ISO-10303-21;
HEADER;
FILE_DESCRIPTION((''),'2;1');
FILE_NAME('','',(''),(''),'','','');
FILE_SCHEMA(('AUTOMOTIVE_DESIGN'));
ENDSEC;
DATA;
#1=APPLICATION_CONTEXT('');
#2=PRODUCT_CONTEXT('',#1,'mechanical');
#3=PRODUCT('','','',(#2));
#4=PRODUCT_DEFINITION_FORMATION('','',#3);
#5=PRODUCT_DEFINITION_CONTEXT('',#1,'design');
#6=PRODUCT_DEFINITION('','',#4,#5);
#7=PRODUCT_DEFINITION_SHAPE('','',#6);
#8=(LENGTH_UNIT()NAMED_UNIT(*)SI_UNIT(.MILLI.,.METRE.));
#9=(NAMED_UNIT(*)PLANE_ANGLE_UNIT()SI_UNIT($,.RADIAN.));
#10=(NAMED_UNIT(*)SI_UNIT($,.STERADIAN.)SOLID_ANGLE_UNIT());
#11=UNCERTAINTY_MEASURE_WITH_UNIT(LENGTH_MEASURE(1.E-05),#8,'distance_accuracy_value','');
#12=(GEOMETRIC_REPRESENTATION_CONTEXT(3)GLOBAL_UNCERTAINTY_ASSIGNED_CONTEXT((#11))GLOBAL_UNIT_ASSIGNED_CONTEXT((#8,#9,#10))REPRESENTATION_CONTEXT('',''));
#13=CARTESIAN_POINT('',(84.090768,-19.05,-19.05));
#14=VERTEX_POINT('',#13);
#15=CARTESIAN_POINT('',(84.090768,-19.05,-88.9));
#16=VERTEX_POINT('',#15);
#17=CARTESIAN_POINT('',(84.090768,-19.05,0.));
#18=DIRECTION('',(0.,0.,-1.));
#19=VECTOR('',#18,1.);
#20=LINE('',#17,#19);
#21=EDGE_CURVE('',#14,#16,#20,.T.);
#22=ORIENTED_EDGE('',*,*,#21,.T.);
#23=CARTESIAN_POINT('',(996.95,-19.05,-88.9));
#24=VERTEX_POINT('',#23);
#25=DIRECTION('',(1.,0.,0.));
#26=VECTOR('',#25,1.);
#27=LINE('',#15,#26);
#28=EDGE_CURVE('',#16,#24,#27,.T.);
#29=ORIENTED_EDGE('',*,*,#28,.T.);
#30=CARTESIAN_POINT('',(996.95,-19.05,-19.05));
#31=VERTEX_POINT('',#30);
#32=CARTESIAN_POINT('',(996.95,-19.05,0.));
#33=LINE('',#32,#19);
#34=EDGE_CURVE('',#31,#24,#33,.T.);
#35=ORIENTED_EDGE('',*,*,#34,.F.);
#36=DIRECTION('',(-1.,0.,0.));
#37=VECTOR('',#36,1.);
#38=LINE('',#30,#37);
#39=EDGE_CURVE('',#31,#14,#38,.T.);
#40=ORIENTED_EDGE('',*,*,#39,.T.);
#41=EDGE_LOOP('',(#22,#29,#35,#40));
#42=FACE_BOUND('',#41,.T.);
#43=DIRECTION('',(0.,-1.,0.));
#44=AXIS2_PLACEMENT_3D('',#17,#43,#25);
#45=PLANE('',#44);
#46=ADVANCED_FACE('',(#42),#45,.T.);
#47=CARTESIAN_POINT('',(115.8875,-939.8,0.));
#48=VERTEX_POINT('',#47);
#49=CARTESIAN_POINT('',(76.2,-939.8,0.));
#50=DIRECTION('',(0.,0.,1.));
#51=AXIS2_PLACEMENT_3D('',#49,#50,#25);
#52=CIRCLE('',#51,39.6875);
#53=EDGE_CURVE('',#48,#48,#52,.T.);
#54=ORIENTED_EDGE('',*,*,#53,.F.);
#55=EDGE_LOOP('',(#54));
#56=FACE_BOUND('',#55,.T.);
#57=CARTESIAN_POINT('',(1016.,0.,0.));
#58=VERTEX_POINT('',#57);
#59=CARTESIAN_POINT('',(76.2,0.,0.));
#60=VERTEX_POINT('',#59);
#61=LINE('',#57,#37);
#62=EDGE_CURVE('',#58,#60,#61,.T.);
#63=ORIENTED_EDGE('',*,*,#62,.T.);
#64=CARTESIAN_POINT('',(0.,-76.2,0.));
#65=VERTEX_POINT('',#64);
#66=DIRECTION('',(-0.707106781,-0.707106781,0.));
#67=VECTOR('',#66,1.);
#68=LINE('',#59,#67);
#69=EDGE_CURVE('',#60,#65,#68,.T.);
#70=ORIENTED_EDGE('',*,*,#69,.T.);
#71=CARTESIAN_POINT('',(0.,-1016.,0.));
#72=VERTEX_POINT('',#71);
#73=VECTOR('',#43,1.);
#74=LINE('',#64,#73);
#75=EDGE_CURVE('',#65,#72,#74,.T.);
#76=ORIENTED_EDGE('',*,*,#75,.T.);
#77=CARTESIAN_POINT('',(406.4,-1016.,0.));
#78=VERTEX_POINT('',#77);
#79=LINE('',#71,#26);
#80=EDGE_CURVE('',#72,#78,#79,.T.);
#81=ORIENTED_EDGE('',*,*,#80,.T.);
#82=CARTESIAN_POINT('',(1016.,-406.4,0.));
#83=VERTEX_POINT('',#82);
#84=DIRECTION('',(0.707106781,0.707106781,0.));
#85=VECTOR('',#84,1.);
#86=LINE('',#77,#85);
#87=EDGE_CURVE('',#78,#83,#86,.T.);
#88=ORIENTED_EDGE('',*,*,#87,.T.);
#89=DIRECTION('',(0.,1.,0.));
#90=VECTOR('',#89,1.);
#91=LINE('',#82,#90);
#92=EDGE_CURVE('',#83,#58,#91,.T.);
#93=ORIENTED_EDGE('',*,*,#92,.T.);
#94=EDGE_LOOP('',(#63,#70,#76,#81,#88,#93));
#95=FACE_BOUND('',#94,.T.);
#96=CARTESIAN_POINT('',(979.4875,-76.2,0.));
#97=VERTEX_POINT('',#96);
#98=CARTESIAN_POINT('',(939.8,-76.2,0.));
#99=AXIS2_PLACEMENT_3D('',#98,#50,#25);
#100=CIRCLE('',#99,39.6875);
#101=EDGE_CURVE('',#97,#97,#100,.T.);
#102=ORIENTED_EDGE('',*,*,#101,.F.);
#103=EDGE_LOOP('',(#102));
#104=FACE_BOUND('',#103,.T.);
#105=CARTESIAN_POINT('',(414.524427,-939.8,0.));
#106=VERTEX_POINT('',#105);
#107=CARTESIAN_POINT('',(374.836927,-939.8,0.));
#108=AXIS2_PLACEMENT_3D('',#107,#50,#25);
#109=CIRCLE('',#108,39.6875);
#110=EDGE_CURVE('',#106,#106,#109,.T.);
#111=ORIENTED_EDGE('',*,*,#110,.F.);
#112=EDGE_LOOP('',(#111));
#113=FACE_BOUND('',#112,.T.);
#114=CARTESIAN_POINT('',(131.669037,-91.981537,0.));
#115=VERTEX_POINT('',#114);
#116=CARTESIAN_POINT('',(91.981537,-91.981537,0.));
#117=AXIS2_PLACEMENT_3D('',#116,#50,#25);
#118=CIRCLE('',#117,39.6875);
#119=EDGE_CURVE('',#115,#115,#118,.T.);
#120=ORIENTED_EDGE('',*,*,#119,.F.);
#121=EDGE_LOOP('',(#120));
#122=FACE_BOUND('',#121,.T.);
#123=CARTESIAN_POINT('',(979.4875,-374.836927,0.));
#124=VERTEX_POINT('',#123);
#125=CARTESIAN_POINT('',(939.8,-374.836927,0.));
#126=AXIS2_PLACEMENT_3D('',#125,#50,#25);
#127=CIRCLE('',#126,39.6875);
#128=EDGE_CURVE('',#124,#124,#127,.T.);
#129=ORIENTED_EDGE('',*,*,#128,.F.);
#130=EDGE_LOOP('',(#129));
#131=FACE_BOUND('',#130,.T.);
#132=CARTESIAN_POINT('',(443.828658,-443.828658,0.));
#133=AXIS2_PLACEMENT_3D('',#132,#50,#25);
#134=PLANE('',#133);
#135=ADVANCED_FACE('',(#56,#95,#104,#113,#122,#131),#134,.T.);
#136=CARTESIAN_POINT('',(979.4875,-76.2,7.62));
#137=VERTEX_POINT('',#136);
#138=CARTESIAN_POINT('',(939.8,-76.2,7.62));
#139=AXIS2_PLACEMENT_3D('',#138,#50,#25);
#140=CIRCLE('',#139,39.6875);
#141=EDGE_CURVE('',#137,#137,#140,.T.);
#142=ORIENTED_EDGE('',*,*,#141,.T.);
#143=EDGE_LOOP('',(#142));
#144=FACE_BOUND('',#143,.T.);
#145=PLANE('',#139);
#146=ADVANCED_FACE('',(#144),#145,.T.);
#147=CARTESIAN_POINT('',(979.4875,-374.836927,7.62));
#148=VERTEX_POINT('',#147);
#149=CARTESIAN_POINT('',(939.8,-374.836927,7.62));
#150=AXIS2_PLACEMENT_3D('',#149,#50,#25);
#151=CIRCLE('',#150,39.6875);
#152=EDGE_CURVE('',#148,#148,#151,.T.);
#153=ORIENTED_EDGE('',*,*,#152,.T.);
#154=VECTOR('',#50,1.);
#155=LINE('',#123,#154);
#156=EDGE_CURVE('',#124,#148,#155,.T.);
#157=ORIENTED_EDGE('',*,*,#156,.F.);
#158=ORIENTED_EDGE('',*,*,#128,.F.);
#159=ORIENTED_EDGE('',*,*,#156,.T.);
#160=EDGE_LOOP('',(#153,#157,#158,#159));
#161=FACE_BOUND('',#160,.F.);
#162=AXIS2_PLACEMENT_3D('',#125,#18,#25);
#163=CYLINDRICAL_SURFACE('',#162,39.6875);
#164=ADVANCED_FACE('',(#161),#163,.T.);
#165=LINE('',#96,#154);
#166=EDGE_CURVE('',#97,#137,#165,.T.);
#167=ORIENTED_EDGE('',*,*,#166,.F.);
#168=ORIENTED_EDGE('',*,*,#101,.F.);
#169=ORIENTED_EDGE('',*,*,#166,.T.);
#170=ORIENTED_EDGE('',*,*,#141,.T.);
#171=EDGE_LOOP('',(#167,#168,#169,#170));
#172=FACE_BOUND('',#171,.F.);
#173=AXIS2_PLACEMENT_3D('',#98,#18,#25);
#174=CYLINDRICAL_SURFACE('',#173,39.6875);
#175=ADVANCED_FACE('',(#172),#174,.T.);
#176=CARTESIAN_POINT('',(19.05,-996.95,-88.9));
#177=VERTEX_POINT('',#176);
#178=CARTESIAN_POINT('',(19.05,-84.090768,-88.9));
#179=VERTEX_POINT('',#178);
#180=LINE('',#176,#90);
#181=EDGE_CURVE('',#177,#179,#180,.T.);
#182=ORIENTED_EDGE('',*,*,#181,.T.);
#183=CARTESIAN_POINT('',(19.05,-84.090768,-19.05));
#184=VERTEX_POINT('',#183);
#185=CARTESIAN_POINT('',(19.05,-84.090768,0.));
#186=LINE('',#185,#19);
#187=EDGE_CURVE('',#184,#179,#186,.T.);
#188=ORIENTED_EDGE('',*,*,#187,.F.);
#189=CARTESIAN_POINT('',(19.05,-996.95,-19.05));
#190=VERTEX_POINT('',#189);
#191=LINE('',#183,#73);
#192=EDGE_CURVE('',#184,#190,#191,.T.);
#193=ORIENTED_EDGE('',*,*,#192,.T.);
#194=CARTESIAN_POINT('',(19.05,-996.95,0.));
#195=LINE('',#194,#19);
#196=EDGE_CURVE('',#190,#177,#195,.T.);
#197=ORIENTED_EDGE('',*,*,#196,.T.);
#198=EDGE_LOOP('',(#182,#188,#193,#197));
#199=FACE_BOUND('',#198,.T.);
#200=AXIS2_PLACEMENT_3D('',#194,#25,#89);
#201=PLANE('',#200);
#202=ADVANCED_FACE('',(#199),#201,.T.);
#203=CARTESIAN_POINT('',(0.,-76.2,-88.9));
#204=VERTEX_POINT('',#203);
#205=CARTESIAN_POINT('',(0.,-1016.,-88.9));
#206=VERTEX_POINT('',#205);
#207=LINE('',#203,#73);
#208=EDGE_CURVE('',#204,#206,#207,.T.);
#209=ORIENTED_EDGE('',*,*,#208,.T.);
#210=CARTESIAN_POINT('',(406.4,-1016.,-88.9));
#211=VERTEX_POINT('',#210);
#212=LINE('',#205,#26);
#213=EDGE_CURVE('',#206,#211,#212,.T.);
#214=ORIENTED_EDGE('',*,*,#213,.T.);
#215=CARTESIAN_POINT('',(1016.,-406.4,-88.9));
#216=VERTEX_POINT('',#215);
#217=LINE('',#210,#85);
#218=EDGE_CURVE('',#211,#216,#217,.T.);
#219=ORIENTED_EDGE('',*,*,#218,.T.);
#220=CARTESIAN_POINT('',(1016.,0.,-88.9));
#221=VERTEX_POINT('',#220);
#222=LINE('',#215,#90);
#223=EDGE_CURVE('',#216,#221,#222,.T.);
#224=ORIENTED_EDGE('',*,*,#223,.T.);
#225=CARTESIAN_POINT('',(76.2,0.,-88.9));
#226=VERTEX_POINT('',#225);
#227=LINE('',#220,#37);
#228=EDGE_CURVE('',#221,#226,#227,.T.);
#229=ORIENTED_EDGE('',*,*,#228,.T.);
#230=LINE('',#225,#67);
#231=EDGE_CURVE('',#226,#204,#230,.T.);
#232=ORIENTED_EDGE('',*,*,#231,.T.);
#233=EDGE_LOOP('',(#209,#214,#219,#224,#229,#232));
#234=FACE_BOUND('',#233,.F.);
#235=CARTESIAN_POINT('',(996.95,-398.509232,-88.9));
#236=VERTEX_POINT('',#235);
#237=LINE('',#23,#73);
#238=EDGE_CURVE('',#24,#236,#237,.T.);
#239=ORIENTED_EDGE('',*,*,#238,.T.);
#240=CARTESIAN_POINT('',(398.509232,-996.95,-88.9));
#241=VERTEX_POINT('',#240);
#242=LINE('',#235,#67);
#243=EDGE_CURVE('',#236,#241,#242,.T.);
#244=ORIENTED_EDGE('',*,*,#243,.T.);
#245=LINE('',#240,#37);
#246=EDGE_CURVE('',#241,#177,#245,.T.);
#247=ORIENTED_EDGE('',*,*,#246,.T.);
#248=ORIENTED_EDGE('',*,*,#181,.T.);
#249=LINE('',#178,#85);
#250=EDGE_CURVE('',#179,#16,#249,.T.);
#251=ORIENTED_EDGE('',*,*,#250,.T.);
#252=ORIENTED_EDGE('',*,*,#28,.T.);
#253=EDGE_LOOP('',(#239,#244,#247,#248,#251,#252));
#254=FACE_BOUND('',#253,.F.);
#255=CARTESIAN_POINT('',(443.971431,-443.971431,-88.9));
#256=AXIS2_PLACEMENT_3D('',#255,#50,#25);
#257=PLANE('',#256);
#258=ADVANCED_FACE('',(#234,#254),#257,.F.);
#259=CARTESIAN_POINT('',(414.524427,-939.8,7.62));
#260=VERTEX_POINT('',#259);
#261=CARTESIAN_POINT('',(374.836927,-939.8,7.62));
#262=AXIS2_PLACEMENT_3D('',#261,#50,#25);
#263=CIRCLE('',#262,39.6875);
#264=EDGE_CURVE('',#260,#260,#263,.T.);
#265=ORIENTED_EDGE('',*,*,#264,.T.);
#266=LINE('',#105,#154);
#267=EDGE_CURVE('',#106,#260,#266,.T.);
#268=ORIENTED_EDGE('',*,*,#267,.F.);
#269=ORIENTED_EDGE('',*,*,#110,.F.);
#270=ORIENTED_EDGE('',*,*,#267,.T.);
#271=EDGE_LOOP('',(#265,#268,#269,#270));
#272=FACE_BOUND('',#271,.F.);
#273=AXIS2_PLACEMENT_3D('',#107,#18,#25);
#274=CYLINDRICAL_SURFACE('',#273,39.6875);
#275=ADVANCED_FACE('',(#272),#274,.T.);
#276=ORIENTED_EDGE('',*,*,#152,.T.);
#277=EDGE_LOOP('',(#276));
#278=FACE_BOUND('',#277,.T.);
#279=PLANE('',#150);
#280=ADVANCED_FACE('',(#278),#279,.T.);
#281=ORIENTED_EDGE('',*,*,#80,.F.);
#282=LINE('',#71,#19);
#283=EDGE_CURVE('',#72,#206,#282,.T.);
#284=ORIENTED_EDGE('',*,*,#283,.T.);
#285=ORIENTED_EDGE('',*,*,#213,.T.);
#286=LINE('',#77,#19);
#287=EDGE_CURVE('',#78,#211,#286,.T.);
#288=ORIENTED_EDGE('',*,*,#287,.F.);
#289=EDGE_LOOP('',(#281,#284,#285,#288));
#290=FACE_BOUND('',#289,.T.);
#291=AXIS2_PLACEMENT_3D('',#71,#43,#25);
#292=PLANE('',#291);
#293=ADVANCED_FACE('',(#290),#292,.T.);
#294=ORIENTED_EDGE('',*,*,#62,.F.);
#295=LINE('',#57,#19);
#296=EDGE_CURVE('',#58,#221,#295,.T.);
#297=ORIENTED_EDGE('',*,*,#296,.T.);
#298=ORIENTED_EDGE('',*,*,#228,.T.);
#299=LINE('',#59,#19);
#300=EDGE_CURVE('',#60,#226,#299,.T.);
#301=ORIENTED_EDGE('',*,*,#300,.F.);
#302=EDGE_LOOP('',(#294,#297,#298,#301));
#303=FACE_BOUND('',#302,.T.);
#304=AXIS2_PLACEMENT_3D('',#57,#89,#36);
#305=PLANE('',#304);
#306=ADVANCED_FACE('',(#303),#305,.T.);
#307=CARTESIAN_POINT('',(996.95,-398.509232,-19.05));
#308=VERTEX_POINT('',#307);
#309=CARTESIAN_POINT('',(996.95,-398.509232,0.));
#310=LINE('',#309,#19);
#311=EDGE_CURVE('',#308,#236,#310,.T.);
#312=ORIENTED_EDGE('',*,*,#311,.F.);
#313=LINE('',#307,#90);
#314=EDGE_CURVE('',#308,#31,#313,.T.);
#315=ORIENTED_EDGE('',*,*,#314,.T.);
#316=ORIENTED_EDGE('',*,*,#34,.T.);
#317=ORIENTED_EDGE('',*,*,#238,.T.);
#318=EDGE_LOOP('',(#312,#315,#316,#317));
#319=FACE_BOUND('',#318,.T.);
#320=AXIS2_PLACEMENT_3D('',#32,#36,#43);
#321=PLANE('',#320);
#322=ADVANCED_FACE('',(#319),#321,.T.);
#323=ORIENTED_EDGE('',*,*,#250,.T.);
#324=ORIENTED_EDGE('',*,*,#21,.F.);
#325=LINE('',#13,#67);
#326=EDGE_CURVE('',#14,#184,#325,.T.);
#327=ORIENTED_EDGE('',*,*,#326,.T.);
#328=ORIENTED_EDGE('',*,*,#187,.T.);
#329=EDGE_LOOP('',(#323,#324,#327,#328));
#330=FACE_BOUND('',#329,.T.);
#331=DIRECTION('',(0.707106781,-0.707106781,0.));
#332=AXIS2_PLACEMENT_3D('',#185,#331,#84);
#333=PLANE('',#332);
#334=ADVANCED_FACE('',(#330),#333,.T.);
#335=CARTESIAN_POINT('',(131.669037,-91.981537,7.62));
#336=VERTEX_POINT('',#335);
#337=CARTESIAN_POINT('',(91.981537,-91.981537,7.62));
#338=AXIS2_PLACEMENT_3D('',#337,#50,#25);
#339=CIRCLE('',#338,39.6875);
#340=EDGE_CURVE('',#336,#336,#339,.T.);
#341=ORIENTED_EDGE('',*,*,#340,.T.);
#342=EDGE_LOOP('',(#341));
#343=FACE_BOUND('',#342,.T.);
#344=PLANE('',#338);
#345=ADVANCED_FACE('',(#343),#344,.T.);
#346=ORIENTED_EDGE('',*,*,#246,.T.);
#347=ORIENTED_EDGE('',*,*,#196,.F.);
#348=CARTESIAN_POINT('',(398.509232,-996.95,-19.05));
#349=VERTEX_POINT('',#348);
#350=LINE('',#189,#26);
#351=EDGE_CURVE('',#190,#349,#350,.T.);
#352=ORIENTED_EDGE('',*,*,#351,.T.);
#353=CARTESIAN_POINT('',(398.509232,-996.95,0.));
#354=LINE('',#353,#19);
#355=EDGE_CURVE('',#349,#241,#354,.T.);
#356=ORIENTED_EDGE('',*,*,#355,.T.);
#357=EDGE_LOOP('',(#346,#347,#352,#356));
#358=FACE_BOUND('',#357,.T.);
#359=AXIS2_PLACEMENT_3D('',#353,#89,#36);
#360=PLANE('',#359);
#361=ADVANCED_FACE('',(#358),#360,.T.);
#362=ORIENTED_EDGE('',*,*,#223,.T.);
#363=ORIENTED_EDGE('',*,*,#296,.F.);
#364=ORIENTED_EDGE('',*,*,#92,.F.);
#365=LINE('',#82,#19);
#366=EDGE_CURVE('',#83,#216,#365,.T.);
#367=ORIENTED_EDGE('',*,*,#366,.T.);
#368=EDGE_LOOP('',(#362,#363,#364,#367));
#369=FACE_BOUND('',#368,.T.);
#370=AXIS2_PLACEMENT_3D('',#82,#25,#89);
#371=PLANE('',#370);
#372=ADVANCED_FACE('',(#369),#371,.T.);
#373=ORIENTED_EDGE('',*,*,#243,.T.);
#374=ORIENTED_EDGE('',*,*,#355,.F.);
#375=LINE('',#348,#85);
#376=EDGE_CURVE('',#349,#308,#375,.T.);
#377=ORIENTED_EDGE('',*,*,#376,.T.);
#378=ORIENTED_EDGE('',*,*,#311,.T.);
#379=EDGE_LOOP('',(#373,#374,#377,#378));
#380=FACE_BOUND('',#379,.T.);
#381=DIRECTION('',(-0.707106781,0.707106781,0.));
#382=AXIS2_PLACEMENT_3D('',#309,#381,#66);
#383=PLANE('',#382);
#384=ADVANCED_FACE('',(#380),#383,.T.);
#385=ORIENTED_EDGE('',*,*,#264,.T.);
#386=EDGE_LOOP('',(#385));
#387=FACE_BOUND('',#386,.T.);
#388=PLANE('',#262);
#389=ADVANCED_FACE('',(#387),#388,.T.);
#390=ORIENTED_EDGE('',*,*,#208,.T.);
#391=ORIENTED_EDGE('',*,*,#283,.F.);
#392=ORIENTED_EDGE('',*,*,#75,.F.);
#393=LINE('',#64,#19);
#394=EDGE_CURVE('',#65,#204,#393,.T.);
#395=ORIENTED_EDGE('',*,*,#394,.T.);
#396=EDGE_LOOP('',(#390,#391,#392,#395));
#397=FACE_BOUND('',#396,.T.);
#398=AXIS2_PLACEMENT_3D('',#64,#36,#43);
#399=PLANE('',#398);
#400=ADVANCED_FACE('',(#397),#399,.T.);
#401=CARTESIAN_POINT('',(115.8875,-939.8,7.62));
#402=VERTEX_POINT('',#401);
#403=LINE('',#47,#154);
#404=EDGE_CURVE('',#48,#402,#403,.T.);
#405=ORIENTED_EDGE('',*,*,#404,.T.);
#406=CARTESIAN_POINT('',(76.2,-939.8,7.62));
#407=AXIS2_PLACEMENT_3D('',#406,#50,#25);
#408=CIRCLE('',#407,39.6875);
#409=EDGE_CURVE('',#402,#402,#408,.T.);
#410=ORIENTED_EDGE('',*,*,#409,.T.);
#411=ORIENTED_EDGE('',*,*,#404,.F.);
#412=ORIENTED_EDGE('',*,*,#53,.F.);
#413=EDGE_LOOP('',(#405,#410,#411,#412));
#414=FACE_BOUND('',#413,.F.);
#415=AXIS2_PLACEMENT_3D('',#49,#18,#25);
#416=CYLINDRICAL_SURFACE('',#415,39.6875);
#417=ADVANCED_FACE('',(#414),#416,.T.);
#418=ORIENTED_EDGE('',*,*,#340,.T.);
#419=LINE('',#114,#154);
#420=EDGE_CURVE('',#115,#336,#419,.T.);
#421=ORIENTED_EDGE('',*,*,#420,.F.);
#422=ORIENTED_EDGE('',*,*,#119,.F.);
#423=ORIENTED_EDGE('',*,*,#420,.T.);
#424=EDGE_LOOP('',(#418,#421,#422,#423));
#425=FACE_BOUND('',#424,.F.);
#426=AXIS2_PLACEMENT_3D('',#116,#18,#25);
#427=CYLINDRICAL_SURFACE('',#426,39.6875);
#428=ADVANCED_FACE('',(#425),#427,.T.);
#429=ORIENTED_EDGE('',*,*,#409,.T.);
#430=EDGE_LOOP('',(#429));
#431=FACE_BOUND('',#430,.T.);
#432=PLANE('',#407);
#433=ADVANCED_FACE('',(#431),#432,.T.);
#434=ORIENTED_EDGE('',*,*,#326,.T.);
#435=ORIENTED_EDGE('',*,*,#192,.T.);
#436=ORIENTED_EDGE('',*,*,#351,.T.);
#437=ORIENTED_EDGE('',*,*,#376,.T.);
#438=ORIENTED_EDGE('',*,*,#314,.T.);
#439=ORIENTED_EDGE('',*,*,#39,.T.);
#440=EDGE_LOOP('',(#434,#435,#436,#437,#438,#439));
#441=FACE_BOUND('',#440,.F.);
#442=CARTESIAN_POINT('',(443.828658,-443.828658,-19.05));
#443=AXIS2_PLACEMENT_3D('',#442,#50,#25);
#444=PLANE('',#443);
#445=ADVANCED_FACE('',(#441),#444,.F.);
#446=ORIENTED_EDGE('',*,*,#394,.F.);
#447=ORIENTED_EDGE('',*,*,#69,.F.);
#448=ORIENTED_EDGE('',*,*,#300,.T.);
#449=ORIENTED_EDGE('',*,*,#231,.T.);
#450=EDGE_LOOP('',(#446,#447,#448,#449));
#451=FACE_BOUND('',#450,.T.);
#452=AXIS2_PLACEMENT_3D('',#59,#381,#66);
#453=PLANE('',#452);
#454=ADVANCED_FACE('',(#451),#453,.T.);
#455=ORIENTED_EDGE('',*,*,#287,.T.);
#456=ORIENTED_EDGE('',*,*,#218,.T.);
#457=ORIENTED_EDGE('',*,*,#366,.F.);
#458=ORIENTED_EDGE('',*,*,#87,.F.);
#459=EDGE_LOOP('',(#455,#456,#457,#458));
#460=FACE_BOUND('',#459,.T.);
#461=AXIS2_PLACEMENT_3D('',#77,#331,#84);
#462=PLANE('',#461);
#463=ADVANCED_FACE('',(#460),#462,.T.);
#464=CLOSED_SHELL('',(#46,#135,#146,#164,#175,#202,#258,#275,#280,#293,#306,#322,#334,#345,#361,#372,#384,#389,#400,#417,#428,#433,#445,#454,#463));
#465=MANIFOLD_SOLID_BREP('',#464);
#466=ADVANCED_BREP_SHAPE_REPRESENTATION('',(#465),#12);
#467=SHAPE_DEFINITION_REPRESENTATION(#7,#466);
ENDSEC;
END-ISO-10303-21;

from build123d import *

# Parameters (mm, degrees)
F1_DEPTH = 88.9
F2_DEPTH = 19.05
F3_R     = 39.6875
F4_DEPTH = 7.62


with BuildPart() as f1:
    # F0 (on Top) → F1 (new body)
    with BuildSketch(Plane.XY):
        Polygon((0, -76.2), (0, -1016), (406.4, -1016), (1016, -406.4), (1016, 0), (76.2, 0), align=None)
        Polygon((398.509232, -996.95), (19.05, -996.95), (19.05, -84.090768), (84.090768, -19.05), (996.95, -19.05), (996.95, -398.509232), align=None, mode=Mode.SUBTRACT)
    extrude(amount=-F1_DEPTH)

    # F0 (on Top) → F2 (join)
    with BuildSketch(Plane.XY):
        Polygon((19.05, -84.090768), (19.05, -996.95), (398.509232, -996.95), (996.95, -398.509232), (996.95, -19.05), (84.090768, -19.05), align=None)
    extrude(amount=-F2_DEPTH)

    # F3 (on face) → F4 (join)
    with BuildSketch(Plane.XY):
        with Locations((76.2, -939.8)):
            Circle(F3_R)
        with Locations((91.981537, -91.981537)):
            Circle(F3_R)
        with Locations((374.836927, -939.8)):
            Circle(F3_R)
        with Locations((939.8, -374.836927)):
            Circle(F3_R)
        with Locations((939.8, -76.2)):
            Circle(F3_R)
    extrude(amount=F4_DEPTH)


solid = f1.part
